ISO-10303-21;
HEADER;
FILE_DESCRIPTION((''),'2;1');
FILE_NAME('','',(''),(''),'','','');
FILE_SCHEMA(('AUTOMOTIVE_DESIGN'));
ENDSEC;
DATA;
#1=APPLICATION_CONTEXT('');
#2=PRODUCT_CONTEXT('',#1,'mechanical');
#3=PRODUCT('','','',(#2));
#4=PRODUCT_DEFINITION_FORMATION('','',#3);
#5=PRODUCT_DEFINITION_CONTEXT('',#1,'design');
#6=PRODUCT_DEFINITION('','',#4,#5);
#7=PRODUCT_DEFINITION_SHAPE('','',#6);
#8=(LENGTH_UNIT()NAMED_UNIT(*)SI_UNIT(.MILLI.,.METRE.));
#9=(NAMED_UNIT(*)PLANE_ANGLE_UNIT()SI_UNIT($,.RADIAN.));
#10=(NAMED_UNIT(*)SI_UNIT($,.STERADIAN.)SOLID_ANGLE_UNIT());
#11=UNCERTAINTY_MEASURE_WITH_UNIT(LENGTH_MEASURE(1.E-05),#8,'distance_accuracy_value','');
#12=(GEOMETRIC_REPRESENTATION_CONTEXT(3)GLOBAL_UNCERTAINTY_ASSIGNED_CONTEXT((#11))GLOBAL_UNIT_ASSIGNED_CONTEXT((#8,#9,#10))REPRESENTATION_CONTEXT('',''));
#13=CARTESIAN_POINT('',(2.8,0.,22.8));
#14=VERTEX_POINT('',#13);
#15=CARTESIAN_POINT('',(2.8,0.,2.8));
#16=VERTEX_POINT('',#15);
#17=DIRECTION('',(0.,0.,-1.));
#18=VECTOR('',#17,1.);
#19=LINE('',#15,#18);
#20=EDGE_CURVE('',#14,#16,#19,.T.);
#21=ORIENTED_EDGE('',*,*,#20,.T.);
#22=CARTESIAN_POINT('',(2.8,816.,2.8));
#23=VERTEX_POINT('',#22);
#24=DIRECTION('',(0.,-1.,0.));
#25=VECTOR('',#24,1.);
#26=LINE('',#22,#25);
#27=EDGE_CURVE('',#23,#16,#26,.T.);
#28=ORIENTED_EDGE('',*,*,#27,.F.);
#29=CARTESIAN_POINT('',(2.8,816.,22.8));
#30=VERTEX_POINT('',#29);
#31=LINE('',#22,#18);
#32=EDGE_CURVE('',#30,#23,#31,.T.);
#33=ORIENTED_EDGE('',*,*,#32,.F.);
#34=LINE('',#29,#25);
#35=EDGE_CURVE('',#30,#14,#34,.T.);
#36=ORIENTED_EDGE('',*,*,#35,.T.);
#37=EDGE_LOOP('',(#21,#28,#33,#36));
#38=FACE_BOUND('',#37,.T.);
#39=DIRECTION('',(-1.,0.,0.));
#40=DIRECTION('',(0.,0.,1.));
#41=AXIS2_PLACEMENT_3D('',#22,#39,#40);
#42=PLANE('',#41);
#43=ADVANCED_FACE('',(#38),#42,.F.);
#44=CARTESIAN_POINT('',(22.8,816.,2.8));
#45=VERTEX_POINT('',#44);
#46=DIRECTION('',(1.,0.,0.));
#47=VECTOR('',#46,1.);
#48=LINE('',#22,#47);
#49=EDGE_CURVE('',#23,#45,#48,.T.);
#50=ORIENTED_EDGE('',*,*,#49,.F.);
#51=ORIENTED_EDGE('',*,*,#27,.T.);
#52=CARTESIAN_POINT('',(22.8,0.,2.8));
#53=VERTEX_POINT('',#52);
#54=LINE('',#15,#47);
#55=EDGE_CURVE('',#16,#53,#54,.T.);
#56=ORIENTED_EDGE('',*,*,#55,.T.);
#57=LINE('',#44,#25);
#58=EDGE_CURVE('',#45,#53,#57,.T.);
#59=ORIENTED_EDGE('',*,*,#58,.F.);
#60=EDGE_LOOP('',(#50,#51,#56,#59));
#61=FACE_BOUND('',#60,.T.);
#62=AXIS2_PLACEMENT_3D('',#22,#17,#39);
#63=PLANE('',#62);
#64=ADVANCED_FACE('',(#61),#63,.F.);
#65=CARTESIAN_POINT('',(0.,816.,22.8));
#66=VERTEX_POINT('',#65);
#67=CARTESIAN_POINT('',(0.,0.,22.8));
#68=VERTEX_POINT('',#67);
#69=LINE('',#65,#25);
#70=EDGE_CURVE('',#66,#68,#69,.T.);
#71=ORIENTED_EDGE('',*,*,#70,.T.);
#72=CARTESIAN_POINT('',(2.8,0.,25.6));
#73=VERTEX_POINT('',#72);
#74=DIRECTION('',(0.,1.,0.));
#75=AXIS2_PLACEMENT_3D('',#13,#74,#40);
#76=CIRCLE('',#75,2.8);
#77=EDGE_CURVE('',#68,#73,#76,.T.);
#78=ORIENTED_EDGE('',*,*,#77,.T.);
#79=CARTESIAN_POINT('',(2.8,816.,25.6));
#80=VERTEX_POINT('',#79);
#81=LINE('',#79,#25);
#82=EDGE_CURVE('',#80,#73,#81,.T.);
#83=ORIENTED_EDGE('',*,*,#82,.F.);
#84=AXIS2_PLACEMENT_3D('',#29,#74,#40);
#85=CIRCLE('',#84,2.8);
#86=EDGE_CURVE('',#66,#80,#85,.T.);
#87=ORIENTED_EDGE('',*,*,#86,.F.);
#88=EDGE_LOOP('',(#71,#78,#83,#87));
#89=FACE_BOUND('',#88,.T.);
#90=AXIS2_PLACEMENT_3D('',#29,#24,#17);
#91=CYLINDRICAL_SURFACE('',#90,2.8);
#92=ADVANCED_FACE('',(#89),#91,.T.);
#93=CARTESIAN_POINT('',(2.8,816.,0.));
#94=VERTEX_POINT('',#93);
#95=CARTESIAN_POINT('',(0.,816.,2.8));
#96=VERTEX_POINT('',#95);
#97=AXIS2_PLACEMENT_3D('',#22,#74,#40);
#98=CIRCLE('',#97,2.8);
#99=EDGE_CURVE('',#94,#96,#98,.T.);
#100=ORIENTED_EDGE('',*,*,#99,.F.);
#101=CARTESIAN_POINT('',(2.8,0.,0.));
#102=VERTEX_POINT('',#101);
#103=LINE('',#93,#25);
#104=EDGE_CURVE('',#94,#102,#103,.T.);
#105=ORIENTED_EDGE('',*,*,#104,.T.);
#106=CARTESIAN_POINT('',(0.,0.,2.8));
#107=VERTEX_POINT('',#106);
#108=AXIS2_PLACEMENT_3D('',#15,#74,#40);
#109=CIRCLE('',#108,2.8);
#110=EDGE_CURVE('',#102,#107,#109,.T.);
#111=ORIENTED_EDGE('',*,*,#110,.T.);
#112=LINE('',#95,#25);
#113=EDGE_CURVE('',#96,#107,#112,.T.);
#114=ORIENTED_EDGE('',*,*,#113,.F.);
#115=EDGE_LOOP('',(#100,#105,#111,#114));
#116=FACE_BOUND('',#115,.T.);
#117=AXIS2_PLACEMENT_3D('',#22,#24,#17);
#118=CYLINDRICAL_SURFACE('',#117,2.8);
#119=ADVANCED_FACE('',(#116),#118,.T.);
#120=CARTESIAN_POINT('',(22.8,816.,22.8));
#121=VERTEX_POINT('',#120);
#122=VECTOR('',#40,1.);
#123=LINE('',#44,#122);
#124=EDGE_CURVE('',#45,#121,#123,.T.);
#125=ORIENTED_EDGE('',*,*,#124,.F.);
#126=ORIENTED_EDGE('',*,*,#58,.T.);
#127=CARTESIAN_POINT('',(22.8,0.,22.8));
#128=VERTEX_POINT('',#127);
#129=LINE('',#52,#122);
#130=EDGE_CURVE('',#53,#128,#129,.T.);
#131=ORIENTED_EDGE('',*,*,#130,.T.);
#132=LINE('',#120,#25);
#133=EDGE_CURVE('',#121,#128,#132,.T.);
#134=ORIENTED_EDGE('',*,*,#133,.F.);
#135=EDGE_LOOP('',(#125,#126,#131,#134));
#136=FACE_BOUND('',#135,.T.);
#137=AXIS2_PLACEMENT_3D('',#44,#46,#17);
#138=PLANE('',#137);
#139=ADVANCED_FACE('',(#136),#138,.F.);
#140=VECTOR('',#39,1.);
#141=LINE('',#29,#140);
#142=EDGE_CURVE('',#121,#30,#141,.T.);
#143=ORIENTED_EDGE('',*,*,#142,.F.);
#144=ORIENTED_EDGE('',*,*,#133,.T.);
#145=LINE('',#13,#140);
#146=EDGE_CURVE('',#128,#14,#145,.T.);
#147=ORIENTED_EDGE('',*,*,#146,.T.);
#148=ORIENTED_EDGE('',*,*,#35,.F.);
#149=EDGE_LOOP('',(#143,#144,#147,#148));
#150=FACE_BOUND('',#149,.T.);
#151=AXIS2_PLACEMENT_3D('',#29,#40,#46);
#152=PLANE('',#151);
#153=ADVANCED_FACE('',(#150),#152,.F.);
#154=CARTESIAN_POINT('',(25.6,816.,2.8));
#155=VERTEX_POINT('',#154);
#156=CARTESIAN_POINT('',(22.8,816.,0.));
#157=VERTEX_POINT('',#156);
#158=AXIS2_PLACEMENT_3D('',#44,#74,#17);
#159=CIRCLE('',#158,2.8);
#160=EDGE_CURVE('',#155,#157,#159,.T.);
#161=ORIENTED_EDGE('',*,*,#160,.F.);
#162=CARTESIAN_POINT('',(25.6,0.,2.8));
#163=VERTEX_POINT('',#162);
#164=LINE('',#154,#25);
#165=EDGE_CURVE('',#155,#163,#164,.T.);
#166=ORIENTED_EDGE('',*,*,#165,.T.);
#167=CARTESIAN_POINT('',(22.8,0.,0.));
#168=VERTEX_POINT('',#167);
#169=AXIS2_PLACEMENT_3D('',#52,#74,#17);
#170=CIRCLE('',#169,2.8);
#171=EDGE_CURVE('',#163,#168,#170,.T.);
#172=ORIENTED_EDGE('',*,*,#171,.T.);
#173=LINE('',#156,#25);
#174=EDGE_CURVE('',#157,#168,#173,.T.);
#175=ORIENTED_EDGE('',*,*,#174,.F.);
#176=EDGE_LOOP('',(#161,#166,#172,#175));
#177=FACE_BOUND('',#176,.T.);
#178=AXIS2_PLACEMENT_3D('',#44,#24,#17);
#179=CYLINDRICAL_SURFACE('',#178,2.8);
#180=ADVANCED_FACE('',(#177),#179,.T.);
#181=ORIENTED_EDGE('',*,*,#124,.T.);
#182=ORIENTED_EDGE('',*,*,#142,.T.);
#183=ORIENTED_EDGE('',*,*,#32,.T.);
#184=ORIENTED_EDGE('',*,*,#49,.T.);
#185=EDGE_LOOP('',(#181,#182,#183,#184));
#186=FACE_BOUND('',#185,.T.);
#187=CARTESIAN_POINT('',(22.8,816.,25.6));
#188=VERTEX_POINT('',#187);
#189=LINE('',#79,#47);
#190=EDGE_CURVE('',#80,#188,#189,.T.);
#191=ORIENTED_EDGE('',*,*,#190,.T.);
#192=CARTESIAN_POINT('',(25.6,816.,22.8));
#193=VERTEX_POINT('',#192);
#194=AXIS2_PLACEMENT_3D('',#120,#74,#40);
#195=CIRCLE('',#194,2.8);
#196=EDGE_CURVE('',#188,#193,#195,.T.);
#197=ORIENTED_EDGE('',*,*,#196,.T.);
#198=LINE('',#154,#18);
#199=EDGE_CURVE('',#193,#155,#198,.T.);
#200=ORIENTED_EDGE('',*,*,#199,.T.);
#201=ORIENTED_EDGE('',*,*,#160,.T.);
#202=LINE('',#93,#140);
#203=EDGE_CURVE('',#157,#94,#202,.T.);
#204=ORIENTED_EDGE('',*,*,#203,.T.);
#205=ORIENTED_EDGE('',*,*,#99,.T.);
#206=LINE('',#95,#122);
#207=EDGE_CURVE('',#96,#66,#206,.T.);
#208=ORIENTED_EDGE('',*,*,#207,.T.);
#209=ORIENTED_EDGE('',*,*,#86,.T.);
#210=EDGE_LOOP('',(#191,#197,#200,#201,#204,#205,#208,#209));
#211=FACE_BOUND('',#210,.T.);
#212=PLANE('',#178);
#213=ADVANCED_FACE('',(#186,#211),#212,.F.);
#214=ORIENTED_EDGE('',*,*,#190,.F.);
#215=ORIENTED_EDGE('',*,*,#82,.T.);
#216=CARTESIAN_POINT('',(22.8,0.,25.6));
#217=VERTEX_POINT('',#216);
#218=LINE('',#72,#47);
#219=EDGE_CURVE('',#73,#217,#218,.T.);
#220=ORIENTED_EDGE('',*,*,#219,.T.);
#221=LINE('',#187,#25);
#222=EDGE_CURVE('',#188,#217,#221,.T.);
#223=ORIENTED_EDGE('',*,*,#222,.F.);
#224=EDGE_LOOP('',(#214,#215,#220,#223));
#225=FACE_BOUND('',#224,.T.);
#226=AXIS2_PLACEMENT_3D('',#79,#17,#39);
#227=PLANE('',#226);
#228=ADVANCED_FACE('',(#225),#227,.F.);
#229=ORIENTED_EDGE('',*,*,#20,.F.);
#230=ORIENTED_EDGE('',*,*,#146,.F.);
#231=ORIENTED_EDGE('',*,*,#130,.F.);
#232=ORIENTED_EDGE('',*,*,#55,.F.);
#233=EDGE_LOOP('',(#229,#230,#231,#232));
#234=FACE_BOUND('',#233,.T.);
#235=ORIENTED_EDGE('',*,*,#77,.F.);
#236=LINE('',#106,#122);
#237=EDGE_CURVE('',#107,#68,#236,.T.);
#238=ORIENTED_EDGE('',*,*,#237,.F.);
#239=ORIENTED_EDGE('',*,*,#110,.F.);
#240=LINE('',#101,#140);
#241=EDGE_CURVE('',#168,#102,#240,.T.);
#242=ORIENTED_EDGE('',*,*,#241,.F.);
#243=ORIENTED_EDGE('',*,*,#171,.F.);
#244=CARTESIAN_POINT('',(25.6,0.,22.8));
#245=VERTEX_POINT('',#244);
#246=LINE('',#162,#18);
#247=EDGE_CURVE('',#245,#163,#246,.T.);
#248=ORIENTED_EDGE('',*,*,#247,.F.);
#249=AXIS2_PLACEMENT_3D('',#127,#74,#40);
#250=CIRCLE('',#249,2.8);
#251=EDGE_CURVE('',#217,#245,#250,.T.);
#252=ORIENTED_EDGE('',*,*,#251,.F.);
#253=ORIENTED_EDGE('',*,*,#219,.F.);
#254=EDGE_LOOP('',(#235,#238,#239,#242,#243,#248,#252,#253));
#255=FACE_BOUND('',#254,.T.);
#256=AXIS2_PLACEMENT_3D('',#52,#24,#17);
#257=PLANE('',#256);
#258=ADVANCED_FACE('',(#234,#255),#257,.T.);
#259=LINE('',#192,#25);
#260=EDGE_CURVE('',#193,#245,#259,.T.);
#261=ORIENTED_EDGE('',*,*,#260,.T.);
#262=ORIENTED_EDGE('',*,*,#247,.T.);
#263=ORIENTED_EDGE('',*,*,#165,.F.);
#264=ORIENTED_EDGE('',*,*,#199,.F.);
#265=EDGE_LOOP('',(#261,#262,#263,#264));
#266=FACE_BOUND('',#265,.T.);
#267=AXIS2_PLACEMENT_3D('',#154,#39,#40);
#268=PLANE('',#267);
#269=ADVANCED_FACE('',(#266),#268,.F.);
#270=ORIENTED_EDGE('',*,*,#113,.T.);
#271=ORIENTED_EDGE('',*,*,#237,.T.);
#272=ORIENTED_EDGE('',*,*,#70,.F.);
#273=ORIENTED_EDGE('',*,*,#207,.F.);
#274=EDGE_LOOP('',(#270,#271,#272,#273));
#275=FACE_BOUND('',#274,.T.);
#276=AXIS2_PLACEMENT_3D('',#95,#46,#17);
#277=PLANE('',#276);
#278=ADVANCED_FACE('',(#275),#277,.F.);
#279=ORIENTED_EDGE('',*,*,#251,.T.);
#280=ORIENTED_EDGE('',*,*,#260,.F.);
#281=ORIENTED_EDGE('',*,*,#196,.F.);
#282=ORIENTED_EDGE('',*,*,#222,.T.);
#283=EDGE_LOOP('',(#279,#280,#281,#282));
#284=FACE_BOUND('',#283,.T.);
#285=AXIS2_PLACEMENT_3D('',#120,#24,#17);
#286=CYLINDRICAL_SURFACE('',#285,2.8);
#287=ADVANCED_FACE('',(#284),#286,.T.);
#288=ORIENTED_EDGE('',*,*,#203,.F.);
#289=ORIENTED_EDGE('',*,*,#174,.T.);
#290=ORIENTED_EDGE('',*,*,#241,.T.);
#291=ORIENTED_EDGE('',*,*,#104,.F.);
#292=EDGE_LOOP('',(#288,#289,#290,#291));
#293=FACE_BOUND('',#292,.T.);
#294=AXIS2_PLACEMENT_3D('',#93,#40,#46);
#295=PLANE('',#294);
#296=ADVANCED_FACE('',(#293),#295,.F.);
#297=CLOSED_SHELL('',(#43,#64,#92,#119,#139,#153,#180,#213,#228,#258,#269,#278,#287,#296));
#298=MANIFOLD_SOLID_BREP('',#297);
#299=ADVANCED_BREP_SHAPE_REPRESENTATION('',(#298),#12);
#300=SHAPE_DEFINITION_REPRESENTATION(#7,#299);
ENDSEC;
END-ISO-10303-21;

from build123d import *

# Parameters (mm, degrees)
BOSS_EXTRUDE1_DEPTH = 816
SKETCH3_W           = 20
SKETCH3_H           = 20
CUT_EXTRUDE1_DEPTH  = 816


with BuildPart() as part:
    # Sketch1 → Boss-Extrude1 (new body)
    with BuildSketch(Plane(origin=(0, 0, 0), x_dir=(1, 0, 0), z_dir=(0, 1, 0))):
        with BuildLine():
            Line((2.8, 0), (22.8, 0))
            ThreePointArc((22.8, 0), (24.779898987, -0.820101013), (25.6, -2.8))
            Line((25.6, -2.8), (25.6, -22.8))
            ThreePointArc((25.6, -22.8), (24.779898987, -24.779898987), (22.8, -25.6))
            Line((22.8, -25.6), (2.8, -25.6))
            ThreePointArc((2.8, -25.6), (0.820101013, -24.779898987), (0, -22.8))
            Line((0, -22.8), (0, -2.8))
            ThreePointArc((0, -2.8), (0.820101013, -0.820101013), (2.8, 0))
        make_face()
    extrude(amount=BOSS_EXTRUDE1_DEPTH)

    # Sketch3 → Cut-Extrude1 (cut)
    with BuildSketch(Plane(origin=(0, 0, 0), x_dir=(-1, 0, 0), z_dir=(0, -1, 0))):
        with Locations((-12.8, -12.8)):
            Rectangle(SKETCH3_W, SKETCH3_H)
    extrude(amount=-CUT_EXTRUDE1_DEPTH, mode=Mode.SUBTRACT)


solid = part.part
